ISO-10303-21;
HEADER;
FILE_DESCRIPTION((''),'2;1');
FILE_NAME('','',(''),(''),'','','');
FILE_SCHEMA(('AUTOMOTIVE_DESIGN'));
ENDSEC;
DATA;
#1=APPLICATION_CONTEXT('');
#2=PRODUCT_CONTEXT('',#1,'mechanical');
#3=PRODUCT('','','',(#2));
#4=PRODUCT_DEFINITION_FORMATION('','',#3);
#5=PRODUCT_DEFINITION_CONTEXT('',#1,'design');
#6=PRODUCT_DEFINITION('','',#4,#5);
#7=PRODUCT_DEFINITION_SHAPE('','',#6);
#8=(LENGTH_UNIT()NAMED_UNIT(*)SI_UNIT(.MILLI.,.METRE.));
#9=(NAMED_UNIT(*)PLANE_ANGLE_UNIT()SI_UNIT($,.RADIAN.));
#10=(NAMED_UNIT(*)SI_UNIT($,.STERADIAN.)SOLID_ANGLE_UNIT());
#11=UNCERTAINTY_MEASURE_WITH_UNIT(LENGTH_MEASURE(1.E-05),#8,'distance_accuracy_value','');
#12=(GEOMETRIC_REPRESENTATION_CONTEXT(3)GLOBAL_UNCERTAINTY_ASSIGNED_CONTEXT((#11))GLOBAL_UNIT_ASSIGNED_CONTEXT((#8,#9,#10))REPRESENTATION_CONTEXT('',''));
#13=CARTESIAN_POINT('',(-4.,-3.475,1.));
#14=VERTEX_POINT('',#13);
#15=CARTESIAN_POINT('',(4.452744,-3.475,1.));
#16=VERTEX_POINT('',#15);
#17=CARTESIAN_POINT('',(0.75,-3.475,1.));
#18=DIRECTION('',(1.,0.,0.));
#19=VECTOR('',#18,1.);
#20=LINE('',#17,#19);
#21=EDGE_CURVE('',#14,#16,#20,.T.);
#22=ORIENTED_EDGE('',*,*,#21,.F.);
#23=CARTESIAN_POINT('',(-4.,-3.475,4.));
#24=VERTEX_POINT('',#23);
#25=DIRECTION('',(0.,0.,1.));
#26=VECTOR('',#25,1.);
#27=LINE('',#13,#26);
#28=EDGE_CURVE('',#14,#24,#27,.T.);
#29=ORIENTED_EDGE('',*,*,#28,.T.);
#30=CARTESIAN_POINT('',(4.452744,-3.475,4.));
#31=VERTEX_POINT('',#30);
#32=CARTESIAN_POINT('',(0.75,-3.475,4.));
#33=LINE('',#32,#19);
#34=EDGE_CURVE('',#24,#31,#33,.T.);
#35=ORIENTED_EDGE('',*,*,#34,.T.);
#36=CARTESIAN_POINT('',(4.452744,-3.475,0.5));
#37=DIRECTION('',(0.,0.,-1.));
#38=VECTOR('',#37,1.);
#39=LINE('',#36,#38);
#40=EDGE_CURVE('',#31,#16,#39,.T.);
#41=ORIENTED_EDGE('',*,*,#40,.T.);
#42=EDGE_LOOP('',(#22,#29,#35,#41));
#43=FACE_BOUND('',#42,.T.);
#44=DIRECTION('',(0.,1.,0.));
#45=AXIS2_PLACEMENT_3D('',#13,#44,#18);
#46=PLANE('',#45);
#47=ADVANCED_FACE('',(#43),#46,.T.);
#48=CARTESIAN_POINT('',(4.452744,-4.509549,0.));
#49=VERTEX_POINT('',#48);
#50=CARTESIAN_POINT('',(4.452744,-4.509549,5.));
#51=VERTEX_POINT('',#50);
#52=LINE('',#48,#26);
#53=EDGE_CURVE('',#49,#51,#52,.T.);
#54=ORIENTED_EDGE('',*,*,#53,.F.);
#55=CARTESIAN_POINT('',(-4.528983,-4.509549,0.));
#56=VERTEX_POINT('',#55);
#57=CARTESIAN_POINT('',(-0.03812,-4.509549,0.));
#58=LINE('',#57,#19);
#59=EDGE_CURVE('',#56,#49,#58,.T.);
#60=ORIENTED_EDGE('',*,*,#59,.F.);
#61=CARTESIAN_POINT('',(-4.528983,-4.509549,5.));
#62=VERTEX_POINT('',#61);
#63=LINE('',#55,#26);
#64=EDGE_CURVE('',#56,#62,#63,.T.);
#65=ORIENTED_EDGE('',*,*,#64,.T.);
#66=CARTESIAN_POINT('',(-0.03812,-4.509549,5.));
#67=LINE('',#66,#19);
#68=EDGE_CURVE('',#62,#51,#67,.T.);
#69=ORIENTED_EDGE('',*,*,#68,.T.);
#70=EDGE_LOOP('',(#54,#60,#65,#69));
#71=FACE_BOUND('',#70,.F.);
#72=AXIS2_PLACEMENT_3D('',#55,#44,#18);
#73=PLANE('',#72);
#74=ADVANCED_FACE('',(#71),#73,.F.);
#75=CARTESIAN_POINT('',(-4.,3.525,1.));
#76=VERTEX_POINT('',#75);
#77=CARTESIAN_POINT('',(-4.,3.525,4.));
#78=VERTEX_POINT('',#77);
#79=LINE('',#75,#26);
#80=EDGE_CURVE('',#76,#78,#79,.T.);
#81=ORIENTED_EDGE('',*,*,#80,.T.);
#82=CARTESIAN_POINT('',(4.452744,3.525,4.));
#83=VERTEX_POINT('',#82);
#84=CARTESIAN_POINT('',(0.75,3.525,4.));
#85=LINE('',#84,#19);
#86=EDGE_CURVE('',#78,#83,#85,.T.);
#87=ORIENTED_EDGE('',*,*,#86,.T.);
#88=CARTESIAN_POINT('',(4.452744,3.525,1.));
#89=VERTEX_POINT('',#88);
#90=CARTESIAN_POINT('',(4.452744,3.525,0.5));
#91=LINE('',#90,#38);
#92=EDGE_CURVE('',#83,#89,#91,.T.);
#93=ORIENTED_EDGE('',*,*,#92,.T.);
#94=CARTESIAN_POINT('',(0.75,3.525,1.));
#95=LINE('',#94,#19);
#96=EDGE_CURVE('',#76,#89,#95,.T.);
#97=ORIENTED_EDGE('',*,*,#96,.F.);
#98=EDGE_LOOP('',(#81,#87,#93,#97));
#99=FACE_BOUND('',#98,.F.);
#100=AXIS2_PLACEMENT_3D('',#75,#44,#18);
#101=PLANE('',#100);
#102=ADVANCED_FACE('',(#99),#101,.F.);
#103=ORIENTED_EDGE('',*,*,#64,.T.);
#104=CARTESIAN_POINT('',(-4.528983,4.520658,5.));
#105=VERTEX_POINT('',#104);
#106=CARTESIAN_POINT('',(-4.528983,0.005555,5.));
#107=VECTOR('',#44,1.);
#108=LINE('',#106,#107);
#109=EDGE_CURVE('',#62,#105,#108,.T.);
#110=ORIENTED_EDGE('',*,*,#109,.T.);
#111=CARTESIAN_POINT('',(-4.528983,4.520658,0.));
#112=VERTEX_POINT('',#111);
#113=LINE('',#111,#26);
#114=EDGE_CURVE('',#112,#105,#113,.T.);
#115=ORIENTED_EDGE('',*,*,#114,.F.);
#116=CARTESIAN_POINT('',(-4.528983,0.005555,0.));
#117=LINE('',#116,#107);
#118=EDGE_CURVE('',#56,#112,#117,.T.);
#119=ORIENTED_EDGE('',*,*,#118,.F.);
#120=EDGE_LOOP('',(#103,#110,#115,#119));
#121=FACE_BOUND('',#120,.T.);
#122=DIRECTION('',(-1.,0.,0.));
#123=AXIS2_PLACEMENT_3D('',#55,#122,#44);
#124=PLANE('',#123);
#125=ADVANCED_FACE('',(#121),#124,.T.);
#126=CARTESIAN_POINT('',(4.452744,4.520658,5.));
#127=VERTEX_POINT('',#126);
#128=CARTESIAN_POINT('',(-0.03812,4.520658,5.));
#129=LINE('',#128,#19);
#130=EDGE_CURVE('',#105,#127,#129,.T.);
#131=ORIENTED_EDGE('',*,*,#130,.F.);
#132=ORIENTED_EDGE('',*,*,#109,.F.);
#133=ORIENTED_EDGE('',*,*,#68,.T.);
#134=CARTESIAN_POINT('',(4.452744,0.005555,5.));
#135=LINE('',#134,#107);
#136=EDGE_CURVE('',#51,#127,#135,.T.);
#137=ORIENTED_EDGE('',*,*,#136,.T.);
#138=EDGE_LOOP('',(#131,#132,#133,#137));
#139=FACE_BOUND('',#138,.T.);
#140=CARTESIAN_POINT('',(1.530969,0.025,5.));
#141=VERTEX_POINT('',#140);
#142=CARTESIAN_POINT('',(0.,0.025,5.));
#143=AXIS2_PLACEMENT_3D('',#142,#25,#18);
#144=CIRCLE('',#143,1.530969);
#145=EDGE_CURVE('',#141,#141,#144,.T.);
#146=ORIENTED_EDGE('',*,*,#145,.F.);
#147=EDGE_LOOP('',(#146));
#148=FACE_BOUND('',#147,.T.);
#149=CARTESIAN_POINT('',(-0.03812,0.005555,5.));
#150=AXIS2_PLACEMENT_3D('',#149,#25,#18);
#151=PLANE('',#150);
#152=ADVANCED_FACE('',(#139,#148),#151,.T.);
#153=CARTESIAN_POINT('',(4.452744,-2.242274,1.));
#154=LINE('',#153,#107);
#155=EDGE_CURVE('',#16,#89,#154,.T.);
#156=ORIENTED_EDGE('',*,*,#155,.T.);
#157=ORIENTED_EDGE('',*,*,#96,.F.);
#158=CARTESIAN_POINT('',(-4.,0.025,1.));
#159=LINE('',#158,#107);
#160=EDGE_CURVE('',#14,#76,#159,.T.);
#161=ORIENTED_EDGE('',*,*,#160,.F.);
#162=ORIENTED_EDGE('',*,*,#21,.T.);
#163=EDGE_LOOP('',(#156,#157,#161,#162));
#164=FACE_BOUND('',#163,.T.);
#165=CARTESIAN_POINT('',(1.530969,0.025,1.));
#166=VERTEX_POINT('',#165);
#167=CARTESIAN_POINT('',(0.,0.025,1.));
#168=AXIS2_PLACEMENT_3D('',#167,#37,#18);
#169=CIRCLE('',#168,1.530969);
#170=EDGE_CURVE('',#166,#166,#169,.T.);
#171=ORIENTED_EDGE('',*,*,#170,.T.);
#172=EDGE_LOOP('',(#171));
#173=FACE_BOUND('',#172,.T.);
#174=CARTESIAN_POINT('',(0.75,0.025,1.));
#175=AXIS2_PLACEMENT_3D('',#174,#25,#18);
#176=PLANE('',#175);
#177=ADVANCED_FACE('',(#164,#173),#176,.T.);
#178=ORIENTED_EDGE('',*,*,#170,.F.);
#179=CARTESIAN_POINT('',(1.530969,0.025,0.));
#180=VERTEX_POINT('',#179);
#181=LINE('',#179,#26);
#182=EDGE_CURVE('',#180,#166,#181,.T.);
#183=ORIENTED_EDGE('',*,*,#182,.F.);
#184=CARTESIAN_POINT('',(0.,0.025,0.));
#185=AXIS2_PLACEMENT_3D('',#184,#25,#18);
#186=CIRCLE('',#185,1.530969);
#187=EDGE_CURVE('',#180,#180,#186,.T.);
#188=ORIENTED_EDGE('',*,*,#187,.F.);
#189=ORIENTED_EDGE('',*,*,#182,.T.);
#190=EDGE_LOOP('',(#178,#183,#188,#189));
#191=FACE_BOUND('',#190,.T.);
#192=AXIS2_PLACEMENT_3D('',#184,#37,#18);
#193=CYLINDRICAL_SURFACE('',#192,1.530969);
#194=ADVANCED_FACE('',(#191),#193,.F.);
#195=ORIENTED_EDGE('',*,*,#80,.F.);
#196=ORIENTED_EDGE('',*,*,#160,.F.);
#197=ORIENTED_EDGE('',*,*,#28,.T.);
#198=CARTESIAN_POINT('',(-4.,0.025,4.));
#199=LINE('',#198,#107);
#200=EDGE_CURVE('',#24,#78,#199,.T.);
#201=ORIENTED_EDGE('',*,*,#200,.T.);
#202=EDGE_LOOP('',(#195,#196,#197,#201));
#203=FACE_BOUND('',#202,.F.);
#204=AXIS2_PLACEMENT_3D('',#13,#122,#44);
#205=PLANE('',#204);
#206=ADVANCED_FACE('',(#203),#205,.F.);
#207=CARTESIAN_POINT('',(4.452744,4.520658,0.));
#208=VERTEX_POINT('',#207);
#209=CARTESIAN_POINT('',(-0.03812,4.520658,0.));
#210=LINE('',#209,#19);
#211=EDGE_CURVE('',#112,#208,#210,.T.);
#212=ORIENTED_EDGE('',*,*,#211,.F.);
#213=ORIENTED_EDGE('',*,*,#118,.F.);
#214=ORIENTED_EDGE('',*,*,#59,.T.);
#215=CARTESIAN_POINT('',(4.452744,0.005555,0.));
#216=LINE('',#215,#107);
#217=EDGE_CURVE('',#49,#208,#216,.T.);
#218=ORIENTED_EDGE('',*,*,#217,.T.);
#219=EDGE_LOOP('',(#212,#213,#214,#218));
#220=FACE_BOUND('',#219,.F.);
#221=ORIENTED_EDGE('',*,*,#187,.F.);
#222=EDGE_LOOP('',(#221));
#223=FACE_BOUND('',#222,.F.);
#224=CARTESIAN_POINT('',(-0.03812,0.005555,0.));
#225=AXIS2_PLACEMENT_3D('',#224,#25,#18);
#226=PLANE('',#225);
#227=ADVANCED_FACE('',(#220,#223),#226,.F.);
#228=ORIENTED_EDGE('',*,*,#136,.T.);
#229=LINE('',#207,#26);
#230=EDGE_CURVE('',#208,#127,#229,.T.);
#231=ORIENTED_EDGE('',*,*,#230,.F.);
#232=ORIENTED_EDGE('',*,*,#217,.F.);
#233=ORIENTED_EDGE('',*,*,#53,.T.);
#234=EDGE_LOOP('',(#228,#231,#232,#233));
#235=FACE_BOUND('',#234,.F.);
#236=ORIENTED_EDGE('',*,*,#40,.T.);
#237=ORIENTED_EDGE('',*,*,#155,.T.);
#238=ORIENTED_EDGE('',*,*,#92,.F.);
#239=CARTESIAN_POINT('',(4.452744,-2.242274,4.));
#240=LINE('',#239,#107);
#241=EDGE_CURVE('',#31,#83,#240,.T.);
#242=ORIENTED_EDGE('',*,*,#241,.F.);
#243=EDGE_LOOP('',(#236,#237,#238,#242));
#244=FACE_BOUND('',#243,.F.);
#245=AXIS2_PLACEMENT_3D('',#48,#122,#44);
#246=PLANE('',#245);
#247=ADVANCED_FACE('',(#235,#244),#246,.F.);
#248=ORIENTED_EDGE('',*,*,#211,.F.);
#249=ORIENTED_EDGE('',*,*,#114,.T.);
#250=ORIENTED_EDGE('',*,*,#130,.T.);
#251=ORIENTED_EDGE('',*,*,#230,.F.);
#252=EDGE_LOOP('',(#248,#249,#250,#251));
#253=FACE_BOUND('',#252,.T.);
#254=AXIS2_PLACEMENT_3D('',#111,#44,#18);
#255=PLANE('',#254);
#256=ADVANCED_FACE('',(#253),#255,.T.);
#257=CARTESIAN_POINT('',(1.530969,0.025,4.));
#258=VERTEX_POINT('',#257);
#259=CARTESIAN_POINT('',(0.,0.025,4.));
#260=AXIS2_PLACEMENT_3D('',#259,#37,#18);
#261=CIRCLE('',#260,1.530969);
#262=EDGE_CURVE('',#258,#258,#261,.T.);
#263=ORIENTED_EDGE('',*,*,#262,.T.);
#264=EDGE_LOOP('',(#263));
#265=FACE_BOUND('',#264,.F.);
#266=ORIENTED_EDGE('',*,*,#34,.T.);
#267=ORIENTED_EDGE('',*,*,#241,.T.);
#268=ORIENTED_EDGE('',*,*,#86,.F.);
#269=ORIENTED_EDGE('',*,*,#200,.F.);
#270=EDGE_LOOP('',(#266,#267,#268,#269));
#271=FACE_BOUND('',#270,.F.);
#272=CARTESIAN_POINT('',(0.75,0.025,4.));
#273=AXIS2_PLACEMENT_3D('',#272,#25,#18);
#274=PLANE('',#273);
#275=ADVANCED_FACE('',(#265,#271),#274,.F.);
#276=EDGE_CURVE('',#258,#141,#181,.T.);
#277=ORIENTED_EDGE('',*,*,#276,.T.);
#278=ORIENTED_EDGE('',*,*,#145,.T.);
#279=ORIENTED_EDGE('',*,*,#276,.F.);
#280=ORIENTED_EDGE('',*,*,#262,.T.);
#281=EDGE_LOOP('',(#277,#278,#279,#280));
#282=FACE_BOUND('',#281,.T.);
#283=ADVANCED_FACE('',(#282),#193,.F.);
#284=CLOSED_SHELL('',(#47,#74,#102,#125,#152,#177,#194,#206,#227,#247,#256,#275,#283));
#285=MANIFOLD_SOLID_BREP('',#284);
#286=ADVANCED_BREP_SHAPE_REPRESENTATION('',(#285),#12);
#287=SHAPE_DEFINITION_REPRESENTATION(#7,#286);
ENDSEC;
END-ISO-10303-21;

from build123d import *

# Parameters (mm, degrees)
BOX001_W     = 9.5
BOX001_H     = 7
BOX001_DEPTH = 3
SKETCH_W     = 8.981727
SKETCH_H     = 9.030207
SKETCH_R     = 1.530969
PAD_DEPTH    = 5


with BuildPart() as body044:
    # Box001 → Box001 (new body)
    with BuildSketch(Plane.XY):
        with Locations((4.75, 3.5)):
            Rectangle(BOX001_W, BOX001_H)
    extrude(amount=BOX001_DEPTH)


with BuildPart() as body044_1:
    # Body044 placement: moved
    add(body044.part.moved(Location((-4, -3.5, 1))))


with BuildPart() as cut005:
    # Sketch → Pad (new body)
    with BuildSketch(Plane.XY):
        with Locations((-0.03812, -0.019445)):
            Rectangle(SKETCH_W, SKETCH_H)
        Circle(SKETCH_R, mode=Mode.SUBTRACT)
    extrude(amount=PAD_DEPTH)

    # Cut005: cut Body044
    add(body044_1.part, mode=Mode.SUBTRACT)


with BuildPart() as cut005_1:
    # Cut005 placement: moved
    add(cut005.part.moved(Location((0, 0.025, 0))))


solid = cut005_1.part
